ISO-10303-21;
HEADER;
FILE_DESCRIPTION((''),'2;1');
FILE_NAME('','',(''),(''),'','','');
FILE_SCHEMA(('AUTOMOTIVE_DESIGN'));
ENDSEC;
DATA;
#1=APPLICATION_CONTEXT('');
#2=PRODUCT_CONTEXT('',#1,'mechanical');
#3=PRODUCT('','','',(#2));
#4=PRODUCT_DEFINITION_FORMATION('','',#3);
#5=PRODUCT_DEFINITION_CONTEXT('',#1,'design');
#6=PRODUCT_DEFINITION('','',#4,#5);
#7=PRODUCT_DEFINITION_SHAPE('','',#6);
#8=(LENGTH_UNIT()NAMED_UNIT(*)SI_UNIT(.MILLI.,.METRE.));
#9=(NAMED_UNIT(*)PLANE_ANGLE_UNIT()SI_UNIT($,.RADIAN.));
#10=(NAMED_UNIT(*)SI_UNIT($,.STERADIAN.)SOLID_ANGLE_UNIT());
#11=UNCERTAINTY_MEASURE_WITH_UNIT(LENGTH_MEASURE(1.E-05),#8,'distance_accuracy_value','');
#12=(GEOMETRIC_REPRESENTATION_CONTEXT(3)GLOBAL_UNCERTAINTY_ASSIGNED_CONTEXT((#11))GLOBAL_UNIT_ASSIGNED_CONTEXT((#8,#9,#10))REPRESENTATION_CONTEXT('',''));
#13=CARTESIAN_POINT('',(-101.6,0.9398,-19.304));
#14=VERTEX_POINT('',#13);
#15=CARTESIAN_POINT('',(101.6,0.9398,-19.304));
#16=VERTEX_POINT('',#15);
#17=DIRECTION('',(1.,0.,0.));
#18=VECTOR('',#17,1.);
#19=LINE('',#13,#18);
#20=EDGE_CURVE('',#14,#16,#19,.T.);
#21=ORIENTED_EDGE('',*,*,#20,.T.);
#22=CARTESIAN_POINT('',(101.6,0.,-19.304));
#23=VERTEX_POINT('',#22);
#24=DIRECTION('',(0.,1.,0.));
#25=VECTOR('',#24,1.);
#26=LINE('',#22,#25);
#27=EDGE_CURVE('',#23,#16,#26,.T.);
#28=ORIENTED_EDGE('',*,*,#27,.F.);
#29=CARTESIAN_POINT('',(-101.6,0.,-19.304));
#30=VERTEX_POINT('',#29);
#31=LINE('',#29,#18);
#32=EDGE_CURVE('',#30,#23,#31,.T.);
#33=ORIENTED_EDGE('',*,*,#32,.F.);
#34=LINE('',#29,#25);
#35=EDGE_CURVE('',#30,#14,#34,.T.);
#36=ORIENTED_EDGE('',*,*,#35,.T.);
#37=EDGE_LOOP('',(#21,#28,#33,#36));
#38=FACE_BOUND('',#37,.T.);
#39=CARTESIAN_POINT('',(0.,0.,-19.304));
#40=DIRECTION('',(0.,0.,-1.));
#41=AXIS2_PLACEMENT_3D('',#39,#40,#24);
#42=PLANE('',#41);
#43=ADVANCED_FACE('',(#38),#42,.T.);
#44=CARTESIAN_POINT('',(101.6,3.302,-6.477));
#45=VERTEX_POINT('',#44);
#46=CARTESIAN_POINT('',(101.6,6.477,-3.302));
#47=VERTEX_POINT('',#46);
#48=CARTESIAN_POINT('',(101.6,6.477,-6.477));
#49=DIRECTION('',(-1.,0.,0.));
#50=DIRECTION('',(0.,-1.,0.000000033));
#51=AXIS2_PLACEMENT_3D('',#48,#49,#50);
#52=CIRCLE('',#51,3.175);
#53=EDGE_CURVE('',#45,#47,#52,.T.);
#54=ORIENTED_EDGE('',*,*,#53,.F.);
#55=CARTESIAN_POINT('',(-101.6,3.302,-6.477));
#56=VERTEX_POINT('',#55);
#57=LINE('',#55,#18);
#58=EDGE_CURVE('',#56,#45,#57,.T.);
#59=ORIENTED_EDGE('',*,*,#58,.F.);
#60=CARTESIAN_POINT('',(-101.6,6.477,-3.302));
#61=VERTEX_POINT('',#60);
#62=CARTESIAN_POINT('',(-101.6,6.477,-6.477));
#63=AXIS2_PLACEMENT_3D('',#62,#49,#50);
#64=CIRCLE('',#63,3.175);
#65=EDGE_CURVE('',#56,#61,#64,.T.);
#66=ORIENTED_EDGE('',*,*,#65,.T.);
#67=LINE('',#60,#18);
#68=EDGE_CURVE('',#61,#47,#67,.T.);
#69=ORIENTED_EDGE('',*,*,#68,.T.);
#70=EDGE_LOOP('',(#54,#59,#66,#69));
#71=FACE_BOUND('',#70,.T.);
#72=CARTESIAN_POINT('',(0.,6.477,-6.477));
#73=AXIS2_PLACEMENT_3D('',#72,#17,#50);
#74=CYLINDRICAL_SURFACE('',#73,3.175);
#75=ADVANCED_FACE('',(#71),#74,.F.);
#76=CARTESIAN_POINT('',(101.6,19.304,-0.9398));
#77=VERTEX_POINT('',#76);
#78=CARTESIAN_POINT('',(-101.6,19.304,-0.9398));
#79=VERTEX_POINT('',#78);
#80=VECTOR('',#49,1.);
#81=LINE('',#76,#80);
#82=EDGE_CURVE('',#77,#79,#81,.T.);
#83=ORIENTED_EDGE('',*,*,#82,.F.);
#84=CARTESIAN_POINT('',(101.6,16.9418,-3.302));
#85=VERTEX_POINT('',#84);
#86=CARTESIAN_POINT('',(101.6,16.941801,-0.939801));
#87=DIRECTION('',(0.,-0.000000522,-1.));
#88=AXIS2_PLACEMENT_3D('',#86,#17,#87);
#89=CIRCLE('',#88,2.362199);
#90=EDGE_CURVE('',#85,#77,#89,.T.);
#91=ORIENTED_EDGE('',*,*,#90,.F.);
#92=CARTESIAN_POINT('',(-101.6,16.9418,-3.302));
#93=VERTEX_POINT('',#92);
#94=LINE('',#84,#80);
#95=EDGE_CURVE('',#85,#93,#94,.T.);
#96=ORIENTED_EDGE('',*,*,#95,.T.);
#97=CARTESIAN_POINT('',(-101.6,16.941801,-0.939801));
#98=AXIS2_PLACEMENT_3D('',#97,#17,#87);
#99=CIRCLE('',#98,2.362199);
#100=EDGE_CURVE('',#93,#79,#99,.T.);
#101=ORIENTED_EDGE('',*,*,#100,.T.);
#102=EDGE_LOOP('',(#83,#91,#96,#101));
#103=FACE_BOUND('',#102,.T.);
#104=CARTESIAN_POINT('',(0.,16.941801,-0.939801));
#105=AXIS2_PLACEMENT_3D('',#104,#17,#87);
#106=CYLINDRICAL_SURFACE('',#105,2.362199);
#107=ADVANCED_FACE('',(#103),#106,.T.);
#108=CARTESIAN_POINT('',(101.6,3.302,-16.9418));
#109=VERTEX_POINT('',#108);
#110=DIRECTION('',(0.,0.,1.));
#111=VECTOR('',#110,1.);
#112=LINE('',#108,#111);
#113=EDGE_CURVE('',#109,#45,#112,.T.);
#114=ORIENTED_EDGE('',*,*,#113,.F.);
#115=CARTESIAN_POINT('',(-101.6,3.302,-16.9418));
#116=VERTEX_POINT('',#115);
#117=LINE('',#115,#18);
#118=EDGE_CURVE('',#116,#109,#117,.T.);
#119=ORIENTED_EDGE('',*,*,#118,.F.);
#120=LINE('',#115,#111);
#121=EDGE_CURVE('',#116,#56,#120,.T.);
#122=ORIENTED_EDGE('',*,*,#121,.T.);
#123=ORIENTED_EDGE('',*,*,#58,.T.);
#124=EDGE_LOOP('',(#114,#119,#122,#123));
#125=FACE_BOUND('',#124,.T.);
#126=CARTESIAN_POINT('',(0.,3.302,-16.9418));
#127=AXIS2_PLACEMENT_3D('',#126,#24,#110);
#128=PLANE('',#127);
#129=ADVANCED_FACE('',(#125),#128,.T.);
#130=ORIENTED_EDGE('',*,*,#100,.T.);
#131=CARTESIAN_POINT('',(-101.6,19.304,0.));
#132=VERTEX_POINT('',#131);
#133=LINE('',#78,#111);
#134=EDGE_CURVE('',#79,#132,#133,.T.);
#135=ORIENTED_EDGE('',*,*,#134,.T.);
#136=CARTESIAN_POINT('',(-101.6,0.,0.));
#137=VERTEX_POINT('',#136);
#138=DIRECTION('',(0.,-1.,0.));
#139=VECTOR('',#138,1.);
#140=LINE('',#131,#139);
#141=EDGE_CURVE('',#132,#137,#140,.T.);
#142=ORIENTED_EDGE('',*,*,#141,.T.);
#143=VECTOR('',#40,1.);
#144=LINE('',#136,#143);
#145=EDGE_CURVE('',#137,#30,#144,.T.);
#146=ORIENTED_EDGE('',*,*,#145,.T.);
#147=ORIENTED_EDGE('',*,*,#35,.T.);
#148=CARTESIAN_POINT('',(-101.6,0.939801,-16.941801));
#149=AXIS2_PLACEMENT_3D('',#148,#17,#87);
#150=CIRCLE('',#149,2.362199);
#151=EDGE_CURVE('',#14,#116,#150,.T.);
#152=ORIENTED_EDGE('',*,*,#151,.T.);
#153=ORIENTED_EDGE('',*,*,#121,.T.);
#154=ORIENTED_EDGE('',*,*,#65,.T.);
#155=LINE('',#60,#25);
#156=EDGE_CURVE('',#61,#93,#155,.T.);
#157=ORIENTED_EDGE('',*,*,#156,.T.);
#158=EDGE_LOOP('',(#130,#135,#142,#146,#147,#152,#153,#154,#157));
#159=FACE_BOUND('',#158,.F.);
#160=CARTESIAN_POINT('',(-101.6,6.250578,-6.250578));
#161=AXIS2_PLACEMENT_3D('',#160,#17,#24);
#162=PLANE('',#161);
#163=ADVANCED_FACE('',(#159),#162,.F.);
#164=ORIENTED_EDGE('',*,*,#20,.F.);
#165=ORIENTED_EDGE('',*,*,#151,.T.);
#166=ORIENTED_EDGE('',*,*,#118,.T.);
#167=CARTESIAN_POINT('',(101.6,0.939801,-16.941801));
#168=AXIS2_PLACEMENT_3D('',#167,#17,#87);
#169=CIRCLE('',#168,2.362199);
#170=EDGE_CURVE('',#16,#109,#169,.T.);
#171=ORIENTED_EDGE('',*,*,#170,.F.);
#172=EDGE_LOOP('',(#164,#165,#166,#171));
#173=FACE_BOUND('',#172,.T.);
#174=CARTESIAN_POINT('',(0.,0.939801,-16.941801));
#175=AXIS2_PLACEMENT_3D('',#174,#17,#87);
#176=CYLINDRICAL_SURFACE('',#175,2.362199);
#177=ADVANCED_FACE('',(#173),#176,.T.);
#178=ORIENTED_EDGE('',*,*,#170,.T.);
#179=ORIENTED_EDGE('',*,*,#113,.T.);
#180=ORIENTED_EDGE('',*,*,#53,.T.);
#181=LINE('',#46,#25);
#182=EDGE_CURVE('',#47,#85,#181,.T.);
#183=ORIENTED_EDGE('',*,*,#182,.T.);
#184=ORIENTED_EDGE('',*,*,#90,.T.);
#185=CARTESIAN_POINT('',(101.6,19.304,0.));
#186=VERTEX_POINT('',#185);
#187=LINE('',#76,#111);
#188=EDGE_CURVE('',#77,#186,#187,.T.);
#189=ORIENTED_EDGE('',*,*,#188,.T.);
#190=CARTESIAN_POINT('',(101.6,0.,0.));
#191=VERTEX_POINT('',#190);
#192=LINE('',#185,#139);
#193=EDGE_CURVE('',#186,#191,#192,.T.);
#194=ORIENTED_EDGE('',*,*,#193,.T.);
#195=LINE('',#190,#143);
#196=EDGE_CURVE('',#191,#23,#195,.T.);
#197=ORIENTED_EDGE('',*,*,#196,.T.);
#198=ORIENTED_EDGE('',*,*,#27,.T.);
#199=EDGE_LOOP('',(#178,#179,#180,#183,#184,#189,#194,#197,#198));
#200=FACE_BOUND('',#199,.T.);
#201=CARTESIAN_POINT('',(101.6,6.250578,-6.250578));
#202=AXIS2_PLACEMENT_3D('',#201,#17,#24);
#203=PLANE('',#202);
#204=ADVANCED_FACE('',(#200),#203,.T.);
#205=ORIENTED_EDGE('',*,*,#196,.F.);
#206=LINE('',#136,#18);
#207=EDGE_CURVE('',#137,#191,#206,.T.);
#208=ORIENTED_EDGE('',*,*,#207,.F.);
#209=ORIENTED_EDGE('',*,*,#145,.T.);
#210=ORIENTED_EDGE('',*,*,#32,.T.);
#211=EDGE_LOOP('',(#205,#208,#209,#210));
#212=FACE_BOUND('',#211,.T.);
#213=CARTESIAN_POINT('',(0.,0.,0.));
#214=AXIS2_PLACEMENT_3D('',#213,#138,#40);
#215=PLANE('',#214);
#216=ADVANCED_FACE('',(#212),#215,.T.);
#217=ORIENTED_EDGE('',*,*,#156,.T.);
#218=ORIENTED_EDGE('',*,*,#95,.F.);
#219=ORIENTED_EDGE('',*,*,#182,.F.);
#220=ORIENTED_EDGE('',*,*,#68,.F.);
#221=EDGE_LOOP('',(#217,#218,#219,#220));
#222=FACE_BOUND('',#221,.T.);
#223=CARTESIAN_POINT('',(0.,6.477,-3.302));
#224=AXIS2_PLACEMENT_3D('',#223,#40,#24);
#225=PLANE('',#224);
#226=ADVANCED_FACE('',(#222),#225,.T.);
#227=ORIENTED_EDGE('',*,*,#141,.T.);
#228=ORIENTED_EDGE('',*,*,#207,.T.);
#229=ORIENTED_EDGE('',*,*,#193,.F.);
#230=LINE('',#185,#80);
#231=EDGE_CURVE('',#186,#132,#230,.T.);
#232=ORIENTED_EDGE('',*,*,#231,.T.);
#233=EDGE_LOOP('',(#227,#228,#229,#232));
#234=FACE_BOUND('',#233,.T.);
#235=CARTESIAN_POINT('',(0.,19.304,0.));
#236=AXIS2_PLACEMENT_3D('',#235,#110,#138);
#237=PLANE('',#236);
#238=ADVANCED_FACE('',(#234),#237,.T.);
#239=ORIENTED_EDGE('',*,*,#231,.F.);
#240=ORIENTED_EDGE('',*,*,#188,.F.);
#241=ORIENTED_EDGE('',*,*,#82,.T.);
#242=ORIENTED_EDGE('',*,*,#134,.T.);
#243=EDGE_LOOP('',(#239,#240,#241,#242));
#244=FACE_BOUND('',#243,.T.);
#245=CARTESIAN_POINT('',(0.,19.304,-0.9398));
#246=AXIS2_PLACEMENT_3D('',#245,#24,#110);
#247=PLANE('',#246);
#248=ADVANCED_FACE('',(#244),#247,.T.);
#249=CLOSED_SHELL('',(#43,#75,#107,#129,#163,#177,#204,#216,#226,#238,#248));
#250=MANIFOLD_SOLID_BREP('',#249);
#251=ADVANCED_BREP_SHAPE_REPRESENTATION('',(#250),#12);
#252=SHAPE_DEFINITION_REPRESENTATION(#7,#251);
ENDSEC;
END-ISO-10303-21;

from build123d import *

# Parameters (mm, degrees)
F1_DEPTH = 101.6


with BuildPart() as f1:
    # F0 (on Right) → F1 (new body, symmetric)
    with BuildSketch(Plane.YZ):
        with BuildLine():
            Line((19.304, 0), (0, 0))
            Line((0, 0), (0, -19.304))
            Line((0, -19.304), (0.9398, -19.304))
            ThreePointArc((0.9398, -19.304), (2.610128, -18.612128), (3.302, -16.9418))
            Line((3.302, -16.9418), (3.302, -6.477))
            ThreePointArc((3.302, -6.477), (4.231936, -4.231936), (6.477, -3.302))
            Line((6.477, -3.302), (16.9418, -3.302))
            ThreePointArc((16.9418, -3.302), (18.612128, -2.610128), (19.304, -0.9398))
            Line((19.304, -0.9398), (19.304, 0))
        make_face()
    extrude(amount=F1_DEPTH, both=True)


solid = f1.part
